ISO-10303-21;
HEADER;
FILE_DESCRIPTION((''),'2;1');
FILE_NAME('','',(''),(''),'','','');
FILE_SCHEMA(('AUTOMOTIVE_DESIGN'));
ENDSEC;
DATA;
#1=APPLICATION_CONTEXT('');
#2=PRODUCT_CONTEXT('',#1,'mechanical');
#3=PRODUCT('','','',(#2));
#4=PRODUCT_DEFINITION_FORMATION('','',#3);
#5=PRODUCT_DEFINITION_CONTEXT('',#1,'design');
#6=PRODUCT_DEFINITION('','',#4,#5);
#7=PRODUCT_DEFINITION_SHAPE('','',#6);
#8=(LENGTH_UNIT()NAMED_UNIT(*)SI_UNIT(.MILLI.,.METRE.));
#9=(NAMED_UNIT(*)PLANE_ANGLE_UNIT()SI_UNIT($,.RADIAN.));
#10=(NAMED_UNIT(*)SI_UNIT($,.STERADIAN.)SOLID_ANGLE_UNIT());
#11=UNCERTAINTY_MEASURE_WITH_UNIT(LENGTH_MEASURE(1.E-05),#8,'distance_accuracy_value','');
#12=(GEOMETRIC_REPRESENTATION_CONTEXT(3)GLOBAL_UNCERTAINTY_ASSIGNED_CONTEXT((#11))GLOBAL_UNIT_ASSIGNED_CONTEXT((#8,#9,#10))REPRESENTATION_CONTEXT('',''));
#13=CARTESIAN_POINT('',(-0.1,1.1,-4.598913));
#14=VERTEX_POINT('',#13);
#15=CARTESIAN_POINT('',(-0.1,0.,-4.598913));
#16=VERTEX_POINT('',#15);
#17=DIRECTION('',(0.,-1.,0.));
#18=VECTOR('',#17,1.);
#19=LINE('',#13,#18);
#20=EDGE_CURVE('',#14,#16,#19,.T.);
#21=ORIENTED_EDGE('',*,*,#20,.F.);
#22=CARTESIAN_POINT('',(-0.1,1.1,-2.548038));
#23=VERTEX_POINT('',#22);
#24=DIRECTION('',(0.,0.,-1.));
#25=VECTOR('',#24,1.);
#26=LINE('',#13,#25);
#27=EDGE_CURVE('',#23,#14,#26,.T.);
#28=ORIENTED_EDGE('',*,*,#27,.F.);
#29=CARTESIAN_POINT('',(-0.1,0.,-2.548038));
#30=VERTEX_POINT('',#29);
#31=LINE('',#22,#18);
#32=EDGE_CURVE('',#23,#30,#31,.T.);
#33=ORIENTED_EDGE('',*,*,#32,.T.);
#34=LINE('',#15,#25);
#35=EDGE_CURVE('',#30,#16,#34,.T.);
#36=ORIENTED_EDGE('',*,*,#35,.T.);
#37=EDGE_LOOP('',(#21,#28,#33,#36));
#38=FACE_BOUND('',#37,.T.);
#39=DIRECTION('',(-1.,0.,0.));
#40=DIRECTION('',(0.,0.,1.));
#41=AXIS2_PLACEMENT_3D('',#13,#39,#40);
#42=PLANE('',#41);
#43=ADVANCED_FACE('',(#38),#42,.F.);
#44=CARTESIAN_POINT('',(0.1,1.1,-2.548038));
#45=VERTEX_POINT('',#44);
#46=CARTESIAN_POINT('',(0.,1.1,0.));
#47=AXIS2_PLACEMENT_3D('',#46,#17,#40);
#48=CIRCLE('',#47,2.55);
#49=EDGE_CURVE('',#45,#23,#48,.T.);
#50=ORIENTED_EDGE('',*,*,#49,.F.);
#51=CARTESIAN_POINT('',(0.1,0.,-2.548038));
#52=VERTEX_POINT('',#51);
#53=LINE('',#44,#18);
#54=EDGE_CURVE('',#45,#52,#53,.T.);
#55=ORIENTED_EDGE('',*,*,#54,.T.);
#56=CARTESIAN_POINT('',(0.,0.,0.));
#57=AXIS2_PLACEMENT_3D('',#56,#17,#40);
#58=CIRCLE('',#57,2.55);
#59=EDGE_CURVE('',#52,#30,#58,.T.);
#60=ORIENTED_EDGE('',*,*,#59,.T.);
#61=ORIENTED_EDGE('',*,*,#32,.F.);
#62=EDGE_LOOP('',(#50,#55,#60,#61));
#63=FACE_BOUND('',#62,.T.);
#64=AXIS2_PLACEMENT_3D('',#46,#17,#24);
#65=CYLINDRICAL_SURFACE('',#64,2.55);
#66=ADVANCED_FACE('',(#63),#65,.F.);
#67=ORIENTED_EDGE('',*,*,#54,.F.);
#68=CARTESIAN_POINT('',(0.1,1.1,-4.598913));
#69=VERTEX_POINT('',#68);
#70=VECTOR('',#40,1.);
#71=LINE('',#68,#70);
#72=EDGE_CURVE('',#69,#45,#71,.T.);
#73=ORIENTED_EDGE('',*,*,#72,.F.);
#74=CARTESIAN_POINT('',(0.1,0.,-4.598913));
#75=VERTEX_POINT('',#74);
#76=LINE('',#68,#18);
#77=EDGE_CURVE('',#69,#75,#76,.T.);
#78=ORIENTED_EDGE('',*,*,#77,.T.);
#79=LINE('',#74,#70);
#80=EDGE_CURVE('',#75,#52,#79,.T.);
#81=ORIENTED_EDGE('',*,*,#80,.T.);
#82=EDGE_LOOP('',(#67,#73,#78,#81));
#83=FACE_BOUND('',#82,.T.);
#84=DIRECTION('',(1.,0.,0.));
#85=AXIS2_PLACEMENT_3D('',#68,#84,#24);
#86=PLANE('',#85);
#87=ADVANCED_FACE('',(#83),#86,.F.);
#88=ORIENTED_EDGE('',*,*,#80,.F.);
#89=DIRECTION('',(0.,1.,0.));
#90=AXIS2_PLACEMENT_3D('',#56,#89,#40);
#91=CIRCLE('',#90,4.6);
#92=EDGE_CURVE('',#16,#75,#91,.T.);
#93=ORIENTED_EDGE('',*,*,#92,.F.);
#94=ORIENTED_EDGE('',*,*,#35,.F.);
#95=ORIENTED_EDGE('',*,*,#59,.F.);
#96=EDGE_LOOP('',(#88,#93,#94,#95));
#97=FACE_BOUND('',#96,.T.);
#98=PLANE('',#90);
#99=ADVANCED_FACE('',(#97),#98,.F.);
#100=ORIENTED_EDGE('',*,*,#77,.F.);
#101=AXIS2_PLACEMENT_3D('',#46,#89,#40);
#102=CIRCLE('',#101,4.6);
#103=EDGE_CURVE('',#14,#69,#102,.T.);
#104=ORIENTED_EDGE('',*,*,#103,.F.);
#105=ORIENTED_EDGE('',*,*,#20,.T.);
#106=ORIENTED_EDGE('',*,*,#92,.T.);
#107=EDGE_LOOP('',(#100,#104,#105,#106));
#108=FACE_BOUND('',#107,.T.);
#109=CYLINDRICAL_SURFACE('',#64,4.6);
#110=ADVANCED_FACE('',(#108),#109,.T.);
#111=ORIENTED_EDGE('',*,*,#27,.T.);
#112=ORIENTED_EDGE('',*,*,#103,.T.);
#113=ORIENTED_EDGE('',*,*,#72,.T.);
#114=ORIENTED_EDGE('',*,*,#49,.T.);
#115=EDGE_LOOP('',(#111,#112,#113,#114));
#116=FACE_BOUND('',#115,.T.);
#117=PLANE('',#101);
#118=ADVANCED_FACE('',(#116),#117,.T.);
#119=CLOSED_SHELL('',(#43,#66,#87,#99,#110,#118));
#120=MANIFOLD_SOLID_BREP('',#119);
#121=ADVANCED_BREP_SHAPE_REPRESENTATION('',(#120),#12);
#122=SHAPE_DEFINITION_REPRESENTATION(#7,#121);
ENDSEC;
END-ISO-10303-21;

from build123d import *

# Parameters (mm, degrees)
RESSALTO_EXTRUS_O1_DEPTH = 1.1


with BuildPart() as part:
    # Esboço1 → Ressalto-extrusão1 (new body)
    with BuildSketch(Plane(origin=(0, 0, 0), x_dir=(1, 0, 0), z_dir=(0, 1, 0))):
        with BuildLine():
            Line((-0.1, 4.598912915), (-0.1, 2.548038461))
            ThreePointArc((-0.1, 2.548038461), (0, -2.55), (0.1, 2.548038461))
            Line((0.1, 2.548038461), (0.1, 4.598912915))
            ThreePointArc((0.1, 4.598912915), (0, -4.6), (-0.1, 4.598912915))
        make_face()
    extrude(amount=RESSALTO_EXTRUS_O1_DEPTH)


solid = part.part
